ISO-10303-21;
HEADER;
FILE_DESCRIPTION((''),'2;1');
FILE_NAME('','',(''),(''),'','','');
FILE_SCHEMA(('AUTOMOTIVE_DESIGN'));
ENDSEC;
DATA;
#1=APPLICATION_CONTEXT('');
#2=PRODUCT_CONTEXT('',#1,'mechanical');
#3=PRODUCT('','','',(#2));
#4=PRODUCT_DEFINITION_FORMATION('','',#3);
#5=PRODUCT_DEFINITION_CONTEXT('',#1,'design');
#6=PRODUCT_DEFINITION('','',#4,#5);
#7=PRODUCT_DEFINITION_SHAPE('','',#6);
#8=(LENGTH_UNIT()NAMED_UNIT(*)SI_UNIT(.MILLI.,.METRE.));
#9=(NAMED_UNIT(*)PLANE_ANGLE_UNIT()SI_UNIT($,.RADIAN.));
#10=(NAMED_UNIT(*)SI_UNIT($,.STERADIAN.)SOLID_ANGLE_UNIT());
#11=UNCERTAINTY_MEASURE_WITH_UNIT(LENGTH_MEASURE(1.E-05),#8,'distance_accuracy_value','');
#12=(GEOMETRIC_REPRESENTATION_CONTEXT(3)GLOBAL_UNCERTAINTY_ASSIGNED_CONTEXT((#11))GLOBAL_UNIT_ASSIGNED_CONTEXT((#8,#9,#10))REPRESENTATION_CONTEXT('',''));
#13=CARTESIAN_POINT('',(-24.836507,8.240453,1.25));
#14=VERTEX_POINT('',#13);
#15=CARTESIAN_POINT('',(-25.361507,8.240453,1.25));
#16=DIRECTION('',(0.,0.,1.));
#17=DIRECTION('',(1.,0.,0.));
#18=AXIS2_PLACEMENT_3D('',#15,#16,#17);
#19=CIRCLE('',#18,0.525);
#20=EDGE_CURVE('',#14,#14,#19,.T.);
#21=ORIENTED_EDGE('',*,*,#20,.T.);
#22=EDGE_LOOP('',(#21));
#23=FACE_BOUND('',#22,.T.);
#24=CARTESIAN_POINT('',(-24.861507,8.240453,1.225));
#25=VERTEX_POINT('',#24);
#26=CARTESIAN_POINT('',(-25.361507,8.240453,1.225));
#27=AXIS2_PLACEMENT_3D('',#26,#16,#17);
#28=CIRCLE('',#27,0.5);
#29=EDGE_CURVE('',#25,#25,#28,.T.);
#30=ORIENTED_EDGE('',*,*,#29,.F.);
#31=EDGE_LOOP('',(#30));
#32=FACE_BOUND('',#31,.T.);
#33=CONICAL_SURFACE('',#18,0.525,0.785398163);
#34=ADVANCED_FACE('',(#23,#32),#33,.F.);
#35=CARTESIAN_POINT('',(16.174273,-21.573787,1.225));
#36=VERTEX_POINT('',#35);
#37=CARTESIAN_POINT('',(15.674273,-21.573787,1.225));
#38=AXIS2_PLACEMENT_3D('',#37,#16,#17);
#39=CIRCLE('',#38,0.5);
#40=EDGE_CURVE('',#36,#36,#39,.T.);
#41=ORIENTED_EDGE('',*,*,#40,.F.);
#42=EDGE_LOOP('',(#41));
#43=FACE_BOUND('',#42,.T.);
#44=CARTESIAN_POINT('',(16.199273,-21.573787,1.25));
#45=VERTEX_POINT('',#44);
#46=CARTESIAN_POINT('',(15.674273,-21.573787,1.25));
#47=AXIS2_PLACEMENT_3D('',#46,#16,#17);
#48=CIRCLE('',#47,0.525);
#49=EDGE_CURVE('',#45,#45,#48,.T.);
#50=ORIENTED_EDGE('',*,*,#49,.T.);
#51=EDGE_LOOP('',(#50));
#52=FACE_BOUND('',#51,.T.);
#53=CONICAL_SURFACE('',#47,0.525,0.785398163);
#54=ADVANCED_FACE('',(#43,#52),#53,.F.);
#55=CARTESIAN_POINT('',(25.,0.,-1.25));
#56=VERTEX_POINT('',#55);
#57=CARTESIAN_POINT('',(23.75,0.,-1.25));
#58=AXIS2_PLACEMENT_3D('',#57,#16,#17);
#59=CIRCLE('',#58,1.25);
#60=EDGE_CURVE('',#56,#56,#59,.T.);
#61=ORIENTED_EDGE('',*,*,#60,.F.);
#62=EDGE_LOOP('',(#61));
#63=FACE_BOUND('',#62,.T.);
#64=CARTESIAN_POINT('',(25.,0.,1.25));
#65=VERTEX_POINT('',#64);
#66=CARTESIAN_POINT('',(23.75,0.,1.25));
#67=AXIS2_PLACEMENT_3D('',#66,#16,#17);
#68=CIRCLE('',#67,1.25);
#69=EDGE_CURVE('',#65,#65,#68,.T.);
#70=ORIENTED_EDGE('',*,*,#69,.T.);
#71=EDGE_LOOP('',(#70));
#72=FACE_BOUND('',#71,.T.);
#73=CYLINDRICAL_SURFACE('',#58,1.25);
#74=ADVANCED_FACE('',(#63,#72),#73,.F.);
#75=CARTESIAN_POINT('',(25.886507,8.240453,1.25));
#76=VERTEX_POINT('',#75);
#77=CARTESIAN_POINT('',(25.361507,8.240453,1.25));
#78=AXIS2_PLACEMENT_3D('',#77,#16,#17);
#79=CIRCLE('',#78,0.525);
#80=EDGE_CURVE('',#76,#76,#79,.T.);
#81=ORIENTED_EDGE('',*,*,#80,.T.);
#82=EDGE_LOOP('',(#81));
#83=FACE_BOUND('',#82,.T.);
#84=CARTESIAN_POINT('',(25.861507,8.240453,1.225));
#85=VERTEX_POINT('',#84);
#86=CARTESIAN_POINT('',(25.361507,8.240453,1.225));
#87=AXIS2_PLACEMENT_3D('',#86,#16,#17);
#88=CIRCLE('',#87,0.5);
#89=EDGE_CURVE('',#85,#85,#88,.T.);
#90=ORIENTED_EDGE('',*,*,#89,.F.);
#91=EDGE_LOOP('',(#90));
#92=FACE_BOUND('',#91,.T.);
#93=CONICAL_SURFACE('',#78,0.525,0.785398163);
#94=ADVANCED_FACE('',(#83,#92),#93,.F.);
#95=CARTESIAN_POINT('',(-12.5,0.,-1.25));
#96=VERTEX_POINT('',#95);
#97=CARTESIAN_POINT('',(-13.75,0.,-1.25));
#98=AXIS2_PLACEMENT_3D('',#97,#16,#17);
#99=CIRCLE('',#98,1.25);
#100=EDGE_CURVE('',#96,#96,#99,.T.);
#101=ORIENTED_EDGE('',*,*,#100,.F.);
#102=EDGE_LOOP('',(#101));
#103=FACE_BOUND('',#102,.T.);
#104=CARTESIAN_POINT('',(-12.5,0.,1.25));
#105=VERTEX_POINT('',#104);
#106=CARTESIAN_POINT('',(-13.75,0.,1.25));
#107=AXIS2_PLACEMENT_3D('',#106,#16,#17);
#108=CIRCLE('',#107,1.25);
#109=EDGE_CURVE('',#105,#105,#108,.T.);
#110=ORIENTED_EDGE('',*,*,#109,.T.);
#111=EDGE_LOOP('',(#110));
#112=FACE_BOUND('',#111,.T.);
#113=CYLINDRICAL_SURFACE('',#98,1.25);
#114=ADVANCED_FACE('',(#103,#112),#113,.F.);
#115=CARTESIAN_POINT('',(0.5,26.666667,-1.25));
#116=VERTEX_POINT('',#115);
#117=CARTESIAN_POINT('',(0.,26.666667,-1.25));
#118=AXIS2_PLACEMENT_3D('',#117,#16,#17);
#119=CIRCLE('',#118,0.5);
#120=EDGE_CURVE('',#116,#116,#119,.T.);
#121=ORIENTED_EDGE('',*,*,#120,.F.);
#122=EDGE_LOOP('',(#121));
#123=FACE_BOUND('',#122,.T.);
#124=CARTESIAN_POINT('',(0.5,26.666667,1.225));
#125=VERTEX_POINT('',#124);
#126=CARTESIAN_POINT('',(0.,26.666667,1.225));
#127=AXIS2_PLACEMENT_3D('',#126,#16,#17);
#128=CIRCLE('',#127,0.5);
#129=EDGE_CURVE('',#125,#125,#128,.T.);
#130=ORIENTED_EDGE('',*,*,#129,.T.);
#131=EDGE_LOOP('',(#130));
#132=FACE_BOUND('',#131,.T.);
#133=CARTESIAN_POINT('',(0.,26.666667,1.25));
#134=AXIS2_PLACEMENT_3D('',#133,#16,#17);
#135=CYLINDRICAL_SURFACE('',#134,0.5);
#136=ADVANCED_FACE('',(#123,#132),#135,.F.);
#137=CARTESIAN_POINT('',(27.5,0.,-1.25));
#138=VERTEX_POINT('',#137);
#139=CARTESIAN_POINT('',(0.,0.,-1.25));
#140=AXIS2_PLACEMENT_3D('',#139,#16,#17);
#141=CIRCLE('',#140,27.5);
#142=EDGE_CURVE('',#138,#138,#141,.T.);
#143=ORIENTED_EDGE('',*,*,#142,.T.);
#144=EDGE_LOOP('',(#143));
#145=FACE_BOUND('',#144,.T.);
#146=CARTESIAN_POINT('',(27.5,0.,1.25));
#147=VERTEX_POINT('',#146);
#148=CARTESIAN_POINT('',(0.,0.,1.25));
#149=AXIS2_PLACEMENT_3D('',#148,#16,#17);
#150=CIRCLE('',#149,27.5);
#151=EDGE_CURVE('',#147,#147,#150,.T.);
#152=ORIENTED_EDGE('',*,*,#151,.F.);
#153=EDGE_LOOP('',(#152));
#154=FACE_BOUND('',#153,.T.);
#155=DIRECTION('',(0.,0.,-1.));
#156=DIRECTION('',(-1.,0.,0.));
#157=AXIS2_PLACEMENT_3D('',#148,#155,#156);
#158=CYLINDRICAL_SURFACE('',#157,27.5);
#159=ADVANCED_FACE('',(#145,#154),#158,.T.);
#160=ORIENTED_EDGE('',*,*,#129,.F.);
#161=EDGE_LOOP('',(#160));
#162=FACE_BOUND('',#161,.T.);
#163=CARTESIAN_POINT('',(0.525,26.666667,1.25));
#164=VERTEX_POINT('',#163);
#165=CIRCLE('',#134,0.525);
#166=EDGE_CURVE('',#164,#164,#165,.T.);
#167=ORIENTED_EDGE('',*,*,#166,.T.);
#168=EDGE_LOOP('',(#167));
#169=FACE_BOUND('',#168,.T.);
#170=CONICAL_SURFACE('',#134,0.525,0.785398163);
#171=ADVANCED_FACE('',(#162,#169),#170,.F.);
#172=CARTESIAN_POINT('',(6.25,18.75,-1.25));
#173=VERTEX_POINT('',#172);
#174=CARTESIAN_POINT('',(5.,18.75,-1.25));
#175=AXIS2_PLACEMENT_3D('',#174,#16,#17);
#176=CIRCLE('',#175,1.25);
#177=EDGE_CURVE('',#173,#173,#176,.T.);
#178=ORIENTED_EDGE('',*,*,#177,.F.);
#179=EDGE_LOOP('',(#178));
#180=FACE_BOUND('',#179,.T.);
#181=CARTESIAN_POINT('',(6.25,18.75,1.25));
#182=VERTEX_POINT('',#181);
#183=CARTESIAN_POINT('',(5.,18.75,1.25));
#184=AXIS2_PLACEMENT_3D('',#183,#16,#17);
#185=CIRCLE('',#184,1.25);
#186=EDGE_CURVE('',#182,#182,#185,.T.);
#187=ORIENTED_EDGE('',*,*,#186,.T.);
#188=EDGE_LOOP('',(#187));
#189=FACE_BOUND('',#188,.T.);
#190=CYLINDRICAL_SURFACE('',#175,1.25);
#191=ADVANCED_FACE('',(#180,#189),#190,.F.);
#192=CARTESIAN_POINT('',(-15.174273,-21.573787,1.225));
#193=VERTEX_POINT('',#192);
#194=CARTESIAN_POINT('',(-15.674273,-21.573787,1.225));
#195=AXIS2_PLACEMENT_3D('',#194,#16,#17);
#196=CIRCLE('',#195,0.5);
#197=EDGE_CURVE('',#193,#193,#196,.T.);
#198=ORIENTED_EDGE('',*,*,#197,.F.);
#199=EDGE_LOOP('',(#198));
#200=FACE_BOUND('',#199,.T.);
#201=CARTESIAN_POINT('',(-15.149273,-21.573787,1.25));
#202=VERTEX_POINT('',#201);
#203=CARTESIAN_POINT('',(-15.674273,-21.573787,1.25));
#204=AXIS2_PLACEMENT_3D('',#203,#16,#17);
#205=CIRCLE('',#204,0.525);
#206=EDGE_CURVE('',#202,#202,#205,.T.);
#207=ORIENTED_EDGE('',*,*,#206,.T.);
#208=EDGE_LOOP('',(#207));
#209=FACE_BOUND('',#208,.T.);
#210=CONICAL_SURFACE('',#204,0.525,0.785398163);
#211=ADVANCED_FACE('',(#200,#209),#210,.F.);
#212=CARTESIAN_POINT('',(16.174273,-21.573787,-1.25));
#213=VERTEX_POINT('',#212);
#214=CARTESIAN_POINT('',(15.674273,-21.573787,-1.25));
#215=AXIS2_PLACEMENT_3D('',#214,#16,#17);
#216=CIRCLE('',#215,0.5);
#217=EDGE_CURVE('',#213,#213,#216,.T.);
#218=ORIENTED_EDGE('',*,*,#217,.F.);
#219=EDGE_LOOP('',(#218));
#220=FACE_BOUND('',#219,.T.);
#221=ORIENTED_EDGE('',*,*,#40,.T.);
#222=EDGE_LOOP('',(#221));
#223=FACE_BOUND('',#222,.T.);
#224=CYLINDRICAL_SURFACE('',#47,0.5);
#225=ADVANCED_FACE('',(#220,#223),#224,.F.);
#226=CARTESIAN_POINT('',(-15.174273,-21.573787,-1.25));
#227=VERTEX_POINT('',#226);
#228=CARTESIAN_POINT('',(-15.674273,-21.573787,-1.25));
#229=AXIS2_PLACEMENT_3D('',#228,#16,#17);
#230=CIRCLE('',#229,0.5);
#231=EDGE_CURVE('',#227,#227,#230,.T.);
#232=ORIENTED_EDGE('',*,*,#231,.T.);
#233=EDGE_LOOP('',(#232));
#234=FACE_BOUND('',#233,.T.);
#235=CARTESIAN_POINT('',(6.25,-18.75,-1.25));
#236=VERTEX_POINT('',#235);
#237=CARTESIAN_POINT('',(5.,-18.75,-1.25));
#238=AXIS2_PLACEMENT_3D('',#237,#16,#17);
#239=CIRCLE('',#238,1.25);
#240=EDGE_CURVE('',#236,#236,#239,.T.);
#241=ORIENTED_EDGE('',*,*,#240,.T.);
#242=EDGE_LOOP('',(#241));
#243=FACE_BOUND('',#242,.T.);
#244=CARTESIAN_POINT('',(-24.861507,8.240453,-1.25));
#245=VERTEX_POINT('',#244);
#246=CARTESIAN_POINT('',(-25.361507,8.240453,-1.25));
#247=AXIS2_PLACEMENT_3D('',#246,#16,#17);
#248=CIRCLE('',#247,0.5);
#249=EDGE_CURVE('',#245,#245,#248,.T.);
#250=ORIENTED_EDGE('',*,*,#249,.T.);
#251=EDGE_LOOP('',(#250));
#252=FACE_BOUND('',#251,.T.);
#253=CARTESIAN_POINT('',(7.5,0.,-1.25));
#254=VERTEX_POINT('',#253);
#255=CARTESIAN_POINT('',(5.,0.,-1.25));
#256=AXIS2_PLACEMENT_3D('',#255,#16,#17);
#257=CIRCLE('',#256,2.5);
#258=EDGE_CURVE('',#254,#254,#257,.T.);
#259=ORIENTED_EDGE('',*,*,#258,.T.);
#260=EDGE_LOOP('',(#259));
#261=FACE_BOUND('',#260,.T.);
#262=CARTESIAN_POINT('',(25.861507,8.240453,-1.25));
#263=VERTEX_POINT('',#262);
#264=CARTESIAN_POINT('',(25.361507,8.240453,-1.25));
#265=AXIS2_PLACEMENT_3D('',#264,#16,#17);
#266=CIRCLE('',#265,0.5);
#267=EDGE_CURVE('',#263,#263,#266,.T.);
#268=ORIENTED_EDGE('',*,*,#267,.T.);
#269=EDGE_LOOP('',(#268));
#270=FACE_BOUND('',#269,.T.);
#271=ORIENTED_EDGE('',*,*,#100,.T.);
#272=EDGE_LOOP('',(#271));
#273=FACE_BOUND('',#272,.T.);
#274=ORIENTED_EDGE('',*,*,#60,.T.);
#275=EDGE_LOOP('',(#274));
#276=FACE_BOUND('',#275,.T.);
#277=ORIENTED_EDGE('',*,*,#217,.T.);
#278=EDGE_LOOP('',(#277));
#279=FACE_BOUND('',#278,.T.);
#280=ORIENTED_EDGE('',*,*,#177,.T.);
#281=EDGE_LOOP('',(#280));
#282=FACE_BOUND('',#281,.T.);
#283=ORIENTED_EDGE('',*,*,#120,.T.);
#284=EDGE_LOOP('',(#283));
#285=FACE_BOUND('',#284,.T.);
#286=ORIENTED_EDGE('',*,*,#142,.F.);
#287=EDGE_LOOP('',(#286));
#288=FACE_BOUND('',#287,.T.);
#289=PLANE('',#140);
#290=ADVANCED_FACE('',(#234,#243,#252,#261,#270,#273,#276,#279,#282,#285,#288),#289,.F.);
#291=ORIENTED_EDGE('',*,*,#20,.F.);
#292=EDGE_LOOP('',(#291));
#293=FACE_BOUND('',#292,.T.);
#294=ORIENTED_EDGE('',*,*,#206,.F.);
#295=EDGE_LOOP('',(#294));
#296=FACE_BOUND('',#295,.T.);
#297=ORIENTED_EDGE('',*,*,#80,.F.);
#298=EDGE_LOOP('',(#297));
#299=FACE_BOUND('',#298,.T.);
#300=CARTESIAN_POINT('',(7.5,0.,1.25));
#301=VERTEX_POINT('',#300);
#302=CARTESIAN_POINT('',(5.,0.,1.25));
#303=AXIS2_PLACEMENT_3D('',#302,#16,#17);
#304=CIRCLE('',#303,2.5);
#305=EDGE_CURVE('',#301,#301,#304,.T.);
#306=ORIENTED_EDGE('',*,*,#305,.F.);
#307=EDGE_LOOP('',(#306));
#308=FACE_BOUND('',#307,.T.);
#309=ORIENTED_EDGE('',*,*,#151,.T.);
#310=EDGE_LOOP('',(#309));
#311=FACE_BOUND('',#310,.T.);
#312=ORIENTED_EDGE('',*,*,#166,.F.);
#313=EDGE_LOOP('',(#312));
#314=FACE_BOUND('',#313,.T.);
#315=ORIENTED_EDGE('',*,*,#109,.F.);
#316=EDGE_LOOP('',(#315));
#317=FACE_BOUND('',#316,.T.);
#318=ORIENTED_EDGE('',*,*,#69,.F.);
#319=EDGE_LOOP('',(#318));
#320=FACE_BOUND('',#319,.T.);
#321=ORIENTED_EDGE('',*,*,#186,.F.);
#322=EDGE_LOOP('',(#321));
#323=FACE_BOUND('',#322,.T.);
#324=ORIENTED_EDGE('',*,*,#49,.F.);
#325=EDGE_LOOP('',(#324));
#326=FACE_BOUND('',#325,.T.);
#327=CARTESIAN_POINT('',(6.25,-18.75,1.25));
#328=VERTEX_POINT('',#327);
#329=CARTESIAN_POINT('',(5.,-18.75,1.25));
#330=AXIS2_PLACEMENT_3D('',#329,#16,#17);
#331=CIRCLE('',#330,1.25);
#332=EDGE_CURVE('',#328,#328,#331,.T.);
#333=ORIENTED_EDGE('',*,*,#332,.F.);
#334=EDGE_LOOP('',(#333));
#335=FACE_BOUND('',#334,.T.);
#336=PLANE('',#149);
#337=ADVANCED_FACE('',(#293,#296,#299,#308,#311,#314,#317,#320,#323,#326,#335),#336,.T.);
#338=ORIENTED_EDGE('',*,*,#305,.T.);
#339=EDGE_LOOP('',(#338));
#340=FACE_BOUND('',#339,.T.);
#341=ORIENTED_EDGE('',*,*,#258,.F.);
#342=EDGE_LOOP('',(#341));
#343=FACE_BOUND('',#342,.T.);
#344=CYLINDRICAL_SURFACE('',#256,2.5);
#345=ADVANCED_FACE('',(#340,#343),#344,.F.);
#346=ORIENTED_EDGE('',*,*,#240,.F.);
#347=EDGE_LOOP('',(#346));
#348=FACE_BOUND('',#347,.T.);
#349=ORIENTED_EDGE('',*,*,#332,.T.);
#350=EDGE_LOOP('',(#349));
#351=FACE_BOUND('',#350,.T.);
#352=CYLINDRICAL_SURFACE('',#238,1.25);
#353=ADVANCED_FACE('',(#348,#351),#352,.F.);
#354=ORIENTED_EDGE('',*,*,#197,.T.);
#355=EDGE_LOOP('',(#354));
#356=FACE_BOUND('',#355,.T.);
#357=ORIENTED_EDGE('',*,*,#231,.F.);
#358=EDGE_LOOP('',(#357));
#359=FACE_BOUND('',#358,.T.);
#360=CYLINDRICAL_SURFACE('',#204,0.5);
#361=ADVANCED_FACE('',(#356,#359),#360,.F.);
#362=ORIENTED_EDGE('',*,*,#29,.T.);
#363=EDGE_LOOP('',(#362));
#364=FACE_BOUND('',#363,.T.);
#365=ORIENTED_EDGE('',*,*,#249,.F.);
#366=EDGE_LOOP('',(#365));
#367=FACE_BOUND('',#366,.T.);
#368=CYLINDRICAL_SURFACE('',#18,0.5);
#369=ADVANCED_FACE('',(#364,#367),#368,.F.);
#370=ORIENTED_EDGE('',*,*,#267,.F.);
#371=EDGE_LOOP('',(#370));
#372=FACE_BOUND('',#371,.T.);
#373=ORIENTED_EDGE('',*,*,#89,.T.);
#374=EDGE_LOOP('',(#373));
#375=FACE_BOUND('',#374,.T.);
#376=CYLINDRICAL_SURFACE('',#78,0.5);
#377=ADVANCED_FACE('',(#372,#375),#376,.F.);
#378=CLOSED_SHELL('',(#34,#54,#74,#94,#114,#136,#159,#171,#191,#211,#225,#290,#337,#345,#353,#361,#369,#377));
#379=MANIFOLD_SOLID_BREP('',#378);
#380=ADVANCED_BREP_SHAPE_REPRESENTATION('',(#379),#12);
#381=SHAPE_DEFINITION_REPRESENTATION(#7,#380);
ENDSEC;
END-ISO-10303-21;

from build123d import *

# Parameters (mm, degrees)
SKETCH1_R                       = 27.5
BOSS_EXTRUDE1_DEPTH             = 1.25
SKETCH3_R                       = 2.5
SKETCH3_R_2                     = 1.25
CUT_EXTRUDE1_DEPTH              = 1
CUT_EXTRUDE1_DEPTH_BACK         = 3.5
F_1_0MM_DOWEL_HOLE1_D           = 1
F_1_0MM_DOWEL_HOLE1_CSINK_D     = 1.05
F_1_0MM_DOWEL_HOLE1_CSINK_ANGLE = 90
CIRPATTERN1_COUNT               = 5


with BuildPart() as part:
    # Sketch1 → Boss-Extrude1 (new body, symmetric)
    with BuildSketch(Plane.XY):
        Circle(SKETCH1_R)
    extrude(amount=BOSS_EXTRUDE1_DEPTH, both=True)

    # Sketch3 → Cut-Extrude1 (cut, two sides)
    with BuildSketch(Plane.XY.offset(1.25)) as cut_extrude1_sk:
        with Locations((5, 0)):
            Circle(SKETCH3_R)
        with Locations((5, 18.75)):
            Circle(SKETCH3_R_2)
        with Locations((-13.75, 0)):
            Circle(SKETCH3_R_2)
        with Locations((23.75, 0)):
            Circle(SKETCH3_R_2)
        with Locations((5, -18.75)):
            Circle(SKETCH3_R_2)
    extrude(amount=CUT_EXTRUDE1_DEPTH, mode=Mode.SUBTRACT)
    extrude(cut_extrude1_sk.sketch, amount=-CUT_EXTRUDE1_DEPTH_BACK, mode=Mode.SUBTRACT)

    # Ø1.0mm Dowel Hole1 (through all)
    with Locations(Plane(origin=(0, 26.666666667, 1.25), x_dir=(1, 0, 0), z_dir=(0, 0, 1))):
        with Locations((0, 0)):
            f_1_0mm_dowel_hole1 = CounterSinkHole(F_1_0MM_DOWEL_HOLE1_D / 2, F_1_0MM_DOWEL_HOLE1_CSINK_D / 2, counter_sink_angle=F_1_0MM_DOWEL_HOLE1_CSINK_ANGLE)

    # CirPattern1: Ø1.0mm Dowel Hole1 ×5 about axis
    cirpattern1_axis = Axis((0, 0, 0), (0, 0, 1))
    for i in range(1, CIRPATTERN1_COUNT):
        add(f_1_0mm_dowel_hole1.rotate(cirpattern1_axis, i * 360 / CIRPATTERN1_COUNT), mode=Mode.SUBTRACT)


solid = part.part
